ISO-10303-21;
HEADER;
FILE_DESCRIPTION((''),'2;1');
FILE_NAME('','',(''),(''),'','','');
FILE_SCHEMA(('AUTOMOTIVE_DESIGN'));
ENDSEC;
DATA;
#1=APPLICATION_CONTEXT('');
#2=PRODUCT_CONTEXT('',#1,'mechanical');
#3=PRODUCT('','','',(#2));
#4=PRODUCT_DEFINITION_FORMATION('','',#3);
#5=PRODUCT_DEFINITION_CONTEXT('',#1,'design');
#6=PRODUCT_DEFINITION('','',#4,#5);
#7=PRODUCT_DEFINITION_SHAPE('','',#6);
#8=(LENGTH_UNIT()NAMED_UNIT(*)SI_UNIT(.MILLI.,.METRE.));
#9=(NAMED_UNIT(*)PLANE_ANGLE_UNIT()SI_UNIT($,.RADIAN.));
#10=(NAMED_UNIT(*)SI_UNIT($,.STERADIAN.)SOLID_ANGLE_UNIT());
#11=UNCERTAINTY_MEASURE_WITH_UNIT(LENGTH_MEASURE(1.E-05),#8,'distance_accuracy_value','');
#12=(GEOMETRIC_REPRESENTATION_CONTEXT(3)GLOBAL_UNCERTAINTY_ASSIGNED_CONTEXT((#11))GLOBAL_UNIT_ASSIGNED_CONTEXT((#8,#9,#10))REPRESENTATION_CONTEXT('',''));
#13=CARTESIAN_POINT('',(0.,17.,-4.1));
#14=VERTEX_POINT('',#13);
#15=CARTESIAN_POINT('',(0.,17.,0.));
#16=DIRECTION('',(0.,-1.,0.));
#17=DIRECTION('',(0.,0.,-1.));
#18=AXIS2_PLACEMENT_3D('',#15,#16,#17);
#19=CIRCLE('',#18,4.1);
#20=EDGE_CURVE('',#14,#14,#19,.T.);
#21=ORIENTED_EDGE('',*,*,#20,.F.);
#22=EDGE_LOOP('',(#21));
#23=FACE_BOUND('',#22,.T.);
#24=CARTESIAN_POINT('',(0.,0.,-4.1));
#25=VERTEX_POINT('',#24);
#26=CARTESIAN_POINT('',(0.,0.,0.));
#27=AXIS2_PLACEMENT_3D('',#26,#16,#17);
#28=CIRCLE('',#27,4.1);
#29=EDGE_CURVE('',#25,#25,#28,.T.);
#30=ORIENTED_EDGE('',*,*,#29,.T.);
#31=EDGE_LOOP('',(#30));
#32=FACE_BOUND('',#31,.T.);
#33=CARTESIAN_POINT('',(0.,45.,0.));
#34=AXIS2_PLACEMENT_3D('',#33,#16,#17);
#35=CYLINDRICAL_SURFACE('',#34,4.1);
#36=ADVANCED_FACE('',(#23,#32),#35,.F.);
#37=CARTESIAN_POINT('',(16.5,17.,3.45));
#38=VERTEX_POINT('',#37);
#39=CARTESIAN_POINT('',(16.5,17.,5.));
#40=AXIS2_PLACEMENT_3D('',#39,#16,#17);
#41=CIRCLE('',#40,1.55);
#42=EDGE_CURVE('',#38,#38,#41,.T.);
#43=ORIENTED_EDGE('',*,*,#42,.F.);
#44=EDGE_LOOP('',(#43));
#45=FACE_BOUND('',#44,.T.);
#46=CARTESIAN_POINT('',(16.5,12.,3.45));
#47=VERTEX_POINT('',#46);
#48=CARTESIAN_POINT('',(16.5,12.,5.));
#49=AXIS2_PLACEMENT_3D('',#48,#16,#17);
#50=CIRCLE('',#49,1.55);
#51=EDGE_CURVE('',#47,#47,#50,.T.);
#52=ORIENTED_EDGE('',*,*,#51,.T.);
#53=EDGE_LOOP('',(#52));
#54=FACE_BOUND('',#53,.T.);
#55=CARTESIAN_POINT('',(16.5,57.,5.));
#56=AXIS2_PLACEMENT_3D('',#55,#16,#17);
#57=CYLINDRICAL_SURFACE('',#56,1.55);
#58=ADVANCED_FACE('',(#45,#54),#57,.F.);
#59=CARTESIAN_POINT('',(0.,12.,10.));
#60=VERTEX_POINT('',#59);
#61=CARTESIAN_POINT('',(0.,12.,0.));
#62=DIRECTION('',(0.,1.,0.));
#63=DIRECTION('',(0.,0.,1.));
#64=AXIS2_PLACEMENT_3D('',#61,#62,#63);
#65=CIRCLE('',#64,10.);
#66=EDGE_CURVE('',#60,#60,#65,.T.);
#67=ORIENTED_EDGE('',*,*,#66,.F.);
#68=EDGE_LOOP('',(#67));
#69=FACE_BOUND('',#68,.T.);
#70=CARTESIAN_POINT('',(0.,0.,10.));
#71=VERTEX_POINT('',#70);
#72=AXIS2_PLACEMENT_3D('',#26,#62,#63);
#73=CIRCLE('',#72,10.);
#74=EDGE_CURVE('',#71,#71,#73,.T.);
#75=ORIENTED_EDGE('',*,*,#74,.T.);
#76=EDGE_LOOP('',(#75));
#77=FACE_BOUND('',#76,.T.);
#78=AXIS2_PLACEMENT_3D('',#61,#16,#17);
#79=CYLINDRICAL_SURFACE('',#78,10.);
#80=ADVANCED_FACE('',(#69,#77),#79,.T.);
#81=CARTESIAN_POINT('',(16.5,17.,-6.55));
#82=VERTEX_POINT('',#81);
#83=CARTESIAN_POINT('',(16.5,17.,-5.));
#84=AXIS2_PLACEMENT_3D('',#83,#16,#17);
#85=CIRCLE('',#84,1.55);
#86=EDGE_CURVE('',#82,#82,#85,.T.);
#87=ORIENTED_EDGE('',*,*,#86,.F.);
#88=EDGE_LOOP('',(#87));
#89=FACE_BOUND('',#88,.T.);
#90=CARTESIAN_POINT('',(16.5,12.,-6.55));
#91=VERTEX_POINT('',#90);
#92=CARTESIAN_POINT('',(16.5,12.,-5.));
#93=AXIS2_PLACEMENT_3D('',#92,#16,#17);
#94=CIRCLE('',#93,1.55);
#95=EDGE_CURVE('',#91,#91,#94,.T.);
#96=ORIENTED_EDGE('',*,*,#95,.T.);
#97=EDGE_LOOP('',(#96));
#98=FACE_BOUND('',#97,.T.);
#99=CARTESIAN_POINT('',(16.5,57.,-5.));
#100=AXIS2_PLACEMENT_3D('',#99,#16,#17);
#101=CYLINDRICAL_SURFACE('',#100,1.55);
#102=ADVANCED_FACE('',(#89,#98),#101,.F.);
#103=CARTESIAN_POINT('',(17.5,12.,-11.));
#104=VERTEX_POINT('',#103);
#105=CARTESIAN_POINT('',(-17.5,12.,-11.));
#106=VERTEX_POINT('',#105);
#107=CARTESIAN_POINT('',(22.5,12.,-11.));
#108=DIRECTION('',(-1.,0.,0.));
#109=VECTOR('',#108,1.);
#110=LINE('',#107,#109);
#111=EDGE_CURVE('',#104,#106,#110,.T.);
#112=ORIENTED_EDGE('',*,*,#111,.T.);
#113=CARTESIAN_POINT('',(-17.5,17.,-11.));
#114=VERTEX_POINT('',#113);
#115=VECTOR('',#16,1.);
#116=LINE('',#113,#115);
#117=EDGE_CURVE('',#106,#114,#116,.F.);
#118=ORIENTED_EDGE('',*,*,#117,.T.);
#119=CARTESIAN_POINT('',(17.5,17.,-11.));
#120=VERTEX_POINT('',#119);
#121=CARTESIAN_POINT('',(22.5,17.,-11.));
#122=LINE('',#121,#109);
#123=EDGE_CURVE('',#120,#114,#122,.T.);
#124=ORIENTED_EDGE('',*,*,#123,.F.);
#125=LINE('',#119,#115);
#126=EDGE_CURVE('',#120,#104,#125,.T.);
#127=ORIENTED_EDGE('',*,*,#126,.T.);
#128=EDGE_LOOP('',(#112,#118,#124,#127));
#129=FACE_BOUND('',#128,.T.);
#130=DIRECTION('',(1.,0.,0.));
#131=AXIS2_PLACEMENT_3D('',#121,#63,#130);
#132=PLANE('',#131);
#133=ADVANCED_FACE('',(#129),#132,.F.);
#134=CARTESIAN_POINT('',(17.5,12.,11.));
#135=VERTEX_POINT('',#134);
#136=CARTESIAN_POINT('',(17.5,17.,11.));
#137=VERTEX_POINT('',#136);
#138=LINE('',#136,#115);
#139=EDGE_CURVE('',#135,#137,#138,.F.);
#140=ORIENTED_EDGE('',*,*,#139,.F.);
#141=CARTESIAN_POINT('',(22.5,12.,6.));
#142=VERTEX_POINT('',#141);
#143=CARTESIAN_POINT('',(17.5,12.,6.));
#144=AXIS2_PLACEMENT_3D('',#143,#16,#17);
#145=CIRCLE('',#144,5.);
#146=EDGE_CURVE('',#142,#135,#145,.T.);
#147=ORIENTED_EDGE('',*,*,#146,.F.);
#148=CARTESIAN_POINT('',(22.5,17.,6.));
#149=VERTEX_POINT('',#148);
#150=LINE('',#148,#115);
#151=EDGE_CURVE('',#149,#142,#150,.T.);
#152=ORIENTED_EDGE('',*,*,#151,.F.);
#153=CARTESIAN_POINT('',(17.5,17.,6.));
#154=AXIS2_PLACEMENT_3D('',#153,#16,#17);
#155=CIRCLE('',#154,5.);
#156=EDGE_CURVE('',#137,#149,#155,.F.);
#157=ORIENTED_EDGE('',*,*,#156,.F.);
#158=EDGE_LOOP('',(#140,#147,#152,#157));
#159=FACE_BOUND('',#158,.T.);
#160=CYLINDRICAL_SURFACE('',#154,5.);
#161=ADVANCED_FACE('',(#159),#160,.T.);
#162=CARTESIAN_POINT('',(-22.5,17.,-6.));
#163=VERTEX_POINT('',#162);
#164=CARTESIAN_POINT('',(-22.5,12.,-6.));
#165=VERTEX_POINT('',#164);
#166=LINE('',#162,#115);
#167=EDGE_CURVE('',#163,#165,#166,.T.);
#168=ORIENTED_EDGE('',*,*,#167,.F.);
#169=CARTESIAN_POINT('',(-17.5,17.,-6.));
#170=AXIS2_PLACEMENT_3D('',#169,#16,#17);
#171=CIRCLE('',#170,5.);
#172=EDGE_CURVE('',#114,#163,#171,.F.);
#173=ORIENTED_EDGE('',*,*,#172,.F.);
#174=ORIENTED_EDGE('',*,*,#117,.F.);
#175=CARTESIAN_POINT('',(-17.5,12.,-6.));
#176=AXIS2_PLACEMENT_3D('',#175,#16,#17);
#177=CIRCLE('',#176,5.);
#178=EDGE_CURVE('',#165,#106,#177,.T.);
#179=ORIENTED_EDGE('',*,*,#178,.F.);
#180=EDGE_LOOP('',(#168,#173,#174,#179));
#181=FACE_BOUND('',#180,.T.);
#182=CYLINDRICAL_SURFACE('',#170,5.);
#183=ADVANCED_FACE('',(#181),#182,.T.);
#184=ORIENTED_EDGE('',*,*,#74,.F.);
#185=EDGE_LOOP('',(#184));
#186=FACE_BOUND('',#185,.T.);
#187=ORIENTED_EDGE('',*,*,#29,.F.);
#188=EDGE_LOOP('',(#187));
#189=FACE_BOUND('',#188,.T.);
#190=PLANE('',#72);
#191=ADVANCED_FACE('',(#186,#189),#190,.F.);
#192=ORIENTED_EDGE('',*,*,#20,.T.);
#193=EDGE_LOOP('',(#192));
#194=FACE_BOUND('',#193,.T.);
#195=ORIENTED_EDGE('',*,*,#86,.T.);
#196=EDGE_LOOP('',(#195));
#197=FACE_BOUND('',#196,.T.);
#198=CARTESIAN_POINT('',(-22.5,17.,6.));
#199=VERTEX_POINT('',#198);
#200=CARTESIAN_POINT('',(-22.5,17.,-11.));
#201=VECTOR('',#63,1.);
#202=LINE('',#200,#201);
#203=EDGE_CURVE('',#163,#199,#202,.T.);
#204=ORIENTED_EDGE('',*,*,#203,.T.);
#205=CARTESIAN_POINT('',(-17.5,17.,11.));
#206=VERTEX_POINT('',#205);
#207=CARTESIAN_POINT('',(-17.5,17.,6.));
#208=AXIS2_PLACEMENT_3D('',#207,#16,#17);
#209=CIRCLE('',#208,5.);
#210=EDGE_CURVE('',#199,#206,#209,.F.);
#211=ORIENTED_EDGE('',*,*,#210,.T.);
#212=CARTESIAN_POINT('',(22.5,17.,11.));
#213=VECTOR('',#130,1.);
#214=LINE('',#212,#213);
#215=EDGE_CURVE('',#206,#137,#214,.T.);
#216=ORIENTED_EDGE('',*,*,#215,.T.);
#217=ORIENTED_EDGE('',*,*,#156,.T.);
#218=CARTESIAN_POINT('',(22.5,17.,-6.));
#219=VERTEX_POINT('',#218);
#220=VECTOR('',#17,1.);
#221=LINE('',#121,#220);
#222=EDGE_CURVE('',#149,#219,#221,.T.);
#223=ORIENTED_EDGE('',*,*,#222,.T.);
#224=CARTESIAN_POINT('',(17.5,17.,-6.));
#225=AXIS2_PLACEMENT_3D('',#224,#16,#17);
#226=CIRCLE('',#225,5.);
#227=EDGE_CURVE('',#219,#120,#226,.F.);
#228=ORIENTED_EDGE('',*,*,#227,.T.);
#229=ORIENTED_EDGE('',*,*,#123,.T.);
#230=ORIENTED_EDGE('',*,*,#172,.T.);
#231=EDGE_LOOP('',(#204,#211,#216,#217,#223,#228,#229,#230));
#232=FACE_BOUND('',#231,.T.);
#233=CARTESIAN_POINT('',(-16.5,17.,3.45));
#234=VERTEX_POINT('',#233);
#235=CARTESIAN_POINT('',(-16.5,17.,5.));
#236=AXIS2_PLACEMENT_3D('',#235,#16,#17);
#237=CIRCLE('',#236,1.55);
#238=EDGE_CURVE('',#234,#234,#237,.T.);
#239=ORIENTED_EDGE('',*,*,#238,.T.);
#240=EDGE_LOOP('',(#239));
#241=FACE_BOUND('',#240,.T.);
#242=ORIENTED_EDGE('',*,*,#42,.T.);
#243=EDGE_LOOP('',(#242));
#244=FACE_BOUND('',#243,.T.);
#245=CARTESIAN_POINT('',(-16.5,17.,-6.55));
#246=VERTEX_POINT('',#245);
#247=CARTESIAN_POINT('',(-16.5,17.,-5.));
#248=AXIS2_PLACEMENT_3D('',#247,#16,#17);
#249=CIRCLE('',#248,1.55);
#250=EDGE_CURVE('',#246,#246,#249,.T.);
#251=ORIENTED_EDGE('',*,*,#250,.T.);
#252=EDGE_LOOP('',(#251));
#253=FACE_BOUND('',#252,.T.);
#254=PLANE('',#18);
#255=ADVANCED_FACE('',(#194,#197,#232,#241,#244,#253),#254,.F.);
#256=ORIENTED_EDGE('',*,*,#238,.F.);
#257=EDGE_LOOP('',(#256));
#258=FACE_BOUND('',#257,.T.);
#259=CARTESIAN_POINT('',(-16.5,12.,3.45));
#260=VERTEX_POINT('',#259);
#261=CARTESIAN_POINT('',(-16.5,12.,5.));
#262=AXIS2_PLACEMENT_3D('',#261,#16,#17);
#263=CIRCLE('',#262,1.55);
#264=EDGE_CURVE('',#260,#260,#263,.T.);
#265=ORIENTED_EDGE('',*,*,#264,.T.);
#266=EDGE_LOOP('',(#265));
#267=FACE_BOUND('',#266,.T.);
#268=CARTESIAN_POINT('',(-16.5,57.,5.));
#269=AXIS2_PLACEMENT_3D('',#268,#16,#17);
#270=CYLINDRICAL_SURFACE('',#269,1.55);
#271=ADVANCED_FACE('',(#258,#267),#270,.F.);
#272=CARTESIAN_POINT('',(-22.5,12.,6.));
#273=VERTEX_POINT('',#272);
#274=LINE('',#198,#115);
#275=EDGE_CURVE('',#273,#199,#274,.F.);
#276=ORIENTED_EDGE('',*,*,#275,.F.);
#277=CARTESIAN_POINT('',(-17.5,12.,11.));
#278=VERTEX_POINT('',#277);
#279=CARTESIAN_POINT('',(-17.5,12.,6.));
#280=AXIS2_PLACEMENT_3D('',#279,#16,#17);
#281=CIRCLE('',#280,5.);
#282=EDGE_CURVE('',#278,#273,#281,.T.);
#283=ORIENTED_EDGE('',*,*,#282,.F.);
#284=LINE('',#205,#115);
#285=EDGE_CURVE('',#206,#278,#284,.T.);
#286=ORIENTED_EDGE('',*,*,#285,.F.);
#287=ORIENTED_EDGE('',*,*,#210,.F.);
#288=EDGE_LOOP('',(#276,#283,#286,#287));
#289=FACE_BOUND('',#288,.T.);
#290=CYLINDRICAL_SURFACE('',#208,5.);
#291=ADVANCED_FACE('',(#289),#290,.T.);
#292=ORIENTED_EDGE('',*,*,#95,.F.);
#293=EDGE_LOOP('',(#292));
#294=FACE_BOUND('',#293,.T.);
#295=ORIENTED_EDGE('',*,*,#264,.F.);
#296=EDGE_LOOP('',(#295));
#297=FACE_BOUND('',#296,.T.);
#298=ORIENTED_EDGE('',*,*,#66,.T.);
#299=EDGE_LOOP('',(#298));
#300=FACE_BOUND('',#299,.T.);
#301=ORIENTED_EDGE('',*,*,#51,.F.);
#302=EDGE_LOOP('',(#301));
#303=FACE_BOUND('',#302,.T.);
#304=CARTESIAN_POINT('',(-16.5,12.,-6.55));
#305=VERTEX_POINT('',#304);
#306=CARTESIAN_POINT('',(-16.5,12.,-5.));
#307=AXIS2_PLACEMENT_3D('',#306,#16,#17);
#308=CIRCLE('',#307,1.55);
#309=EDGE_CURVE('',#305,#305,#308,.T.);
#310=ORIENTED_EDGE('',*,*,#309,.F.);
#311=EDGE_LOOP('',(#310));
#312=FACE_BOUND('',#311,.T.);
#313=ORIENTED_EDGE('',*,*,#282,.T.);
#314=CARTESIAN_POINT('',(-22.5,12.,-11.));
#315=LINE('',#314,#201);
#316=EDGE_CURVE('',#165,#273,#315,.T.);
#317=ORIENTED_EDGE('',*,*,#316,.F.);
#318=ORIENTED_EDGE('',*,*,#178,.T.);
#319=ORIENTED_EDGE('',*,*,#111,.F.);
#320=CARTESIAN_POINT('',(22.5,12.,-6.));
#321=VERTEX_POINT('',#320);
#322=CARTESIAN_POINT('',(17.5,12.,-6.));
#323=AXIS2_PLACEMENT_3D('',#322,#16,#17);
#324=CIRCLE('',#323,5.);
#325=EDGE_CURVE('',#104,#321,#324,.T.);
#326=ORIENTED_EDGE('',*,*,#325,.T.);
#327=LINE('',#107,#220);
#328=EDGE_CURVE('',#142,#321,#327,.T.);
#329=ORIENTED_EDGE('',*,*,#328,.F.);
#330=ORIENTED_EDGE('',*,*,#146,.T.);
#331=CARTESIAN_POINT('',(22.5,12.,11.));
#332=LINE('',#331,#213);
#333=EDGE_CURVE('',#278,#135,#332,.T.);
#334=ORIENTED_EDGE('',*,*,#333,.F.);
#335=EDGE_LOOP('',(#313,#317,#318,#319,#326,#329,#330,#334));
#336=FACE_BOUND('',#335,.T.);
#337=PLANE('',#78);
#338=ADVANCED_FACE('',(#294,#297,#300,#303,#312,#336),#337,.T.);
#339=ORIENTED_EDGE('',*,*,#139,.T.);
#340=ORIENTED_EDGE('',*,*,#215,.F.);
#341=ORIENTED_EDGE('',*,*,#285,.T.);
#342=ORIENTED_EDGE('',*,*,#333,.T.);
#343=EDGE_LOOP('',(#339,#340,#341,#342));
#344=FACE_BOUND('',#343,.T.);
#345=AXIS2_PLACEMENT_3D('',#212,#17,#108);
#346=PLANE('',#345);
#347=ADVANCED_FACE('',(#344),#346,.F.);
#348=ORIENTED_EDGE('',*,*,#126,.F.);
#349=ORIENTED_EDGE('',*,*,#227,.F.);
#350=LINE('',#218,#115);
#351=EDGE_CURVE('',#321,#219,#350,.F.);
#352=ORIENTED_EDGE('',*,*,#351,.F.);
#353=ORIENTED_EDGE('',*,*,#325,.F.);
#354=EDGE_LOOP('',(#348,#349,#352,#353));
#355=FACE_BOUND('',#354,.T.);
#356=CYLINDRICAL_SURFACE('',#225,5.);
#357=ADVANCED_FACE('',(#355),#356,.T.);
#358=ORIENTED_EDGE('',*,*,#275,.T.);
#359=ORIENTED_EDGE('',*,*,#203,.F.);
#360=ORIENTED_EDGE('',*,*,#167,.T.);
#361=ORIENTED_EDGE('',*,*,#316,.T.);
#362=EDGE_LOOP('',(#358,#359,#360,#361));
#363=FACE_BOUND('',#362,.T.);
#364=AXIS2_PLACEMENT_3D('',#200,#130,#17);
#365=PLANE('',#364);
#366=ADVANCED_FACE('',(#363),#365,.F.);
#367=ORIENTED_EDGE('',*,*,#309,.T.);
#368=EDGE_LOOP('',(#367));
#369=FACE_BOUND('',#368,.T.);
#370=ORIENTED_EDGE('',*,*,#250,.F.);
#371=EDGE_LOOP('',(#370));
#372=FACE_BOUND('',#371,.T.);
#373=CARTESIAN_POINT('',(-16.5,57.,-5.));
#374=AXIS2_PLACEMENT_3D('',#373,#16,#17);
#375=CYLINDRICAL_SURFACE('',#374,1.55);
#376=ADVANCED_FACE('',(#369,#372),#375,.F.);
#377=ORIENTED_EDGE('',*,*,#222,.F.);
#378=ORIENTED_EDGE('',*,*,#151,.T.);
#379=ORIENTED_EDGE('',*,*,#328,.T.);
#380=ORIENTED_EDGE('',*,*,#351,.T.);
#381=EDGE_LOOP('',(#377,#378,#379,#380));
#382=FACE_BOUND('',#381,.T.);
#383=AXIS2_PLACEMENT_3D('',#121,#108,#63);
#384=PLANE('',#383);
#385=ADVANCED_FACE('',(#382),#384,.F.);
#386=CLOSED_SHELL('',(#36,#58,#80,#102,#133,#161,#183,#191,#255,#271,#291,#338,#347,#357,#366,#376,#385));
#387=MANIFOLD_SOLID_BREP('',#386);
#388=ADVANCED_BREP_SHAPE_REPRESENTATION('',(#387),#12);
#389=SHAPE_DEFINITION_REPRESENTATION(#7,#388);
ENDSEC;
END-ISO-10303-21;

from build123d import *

# Parameters (mm, degrees)
CROQUIS1_R              = 10
CROQUIS1_R_2            = 3.5
EXTRUIR1_DEPTH          = 12
CROQUIS2_W              = 45
CROQUIS2_H              = 22
SALIENTE_EXTRUIR1_DEPTH = 5
REDONDEO1_R             = 5
REDONDEO2_R             = 5
REDONDEO3_R             = 5
REDONDEO4_R             = 5
CROQUIS3_R              = 4.1
CORTAR_EXTRUIR1_DEPTH   = 45
CROQUIS4_R              = 1.55
CORTAR_EXTRUIR2_DEPTH   = 45


with BuildPart() as part:
    # Croquis1 → Extruir1 (new body)
    with BuildSketch(Plane(origin=(0, 0, 0), x_dir=(1, 0, 0), z_dir=(0, 1, 0))):
        Circle(CROQUIS1_R)
        Circle(CROQUIS1_R_2, mode=Mode.SUBTRACT)
    extrude(amount=EXTRUIR1_DEPTH)

    # Croquis2 → Saliente-Extruir1 (add)
    with BuildSketch(Plane(origin=(0, 12, 0), x_dir=(1, 0, 0), z_dir=(0, 1, 0))):
        Rectangle(CROQUIS2_W, CROQUIS2_H)
    extrude(amount=SALIENTE_EXTRUIR1_DEPTH)

    # Redondeo1
    redondeo1_edges = [part.edges().sort_by_distance(p)[0] for p in [
        (22.5, 14.5, -11),
    ]]
    fillet(redondeo1_edges, radius=REDONDEO1_R)

    # Redondeo2
    redondeo2_edges = [part.edges().sort_by_distance(p)[0] for p in [
        (22.5, 14.5, 11),
    ]]
    fillet(redondeo2_edges, radius=REDONDEO2_R)

    # Redondeo3
    redondeo3_edges = [part.edges().sort_by_distance(p)[0] for p in [
        (-22.5, 14.5, 11),
    ]]
    fillet(redondeo3_edges, radius=REDONDEO3_R)

    # Redondeo4
    redondeo4_edges = [part.edges().sort_by_distance(p)[0] for p in [
        (-22.5, 14.5, -11),
    ]]
    fillet(redondeo4_edges, radius=REDONDEO4_R)

    # Croquis3 → Cortar-Extruir1 (cut)
    with BuildSketch(Plane.XZ):
        Circle(CROQUIS3_R)
    extrude(amount=-CORTAR_EXTRUIR1_DEPTH, mode=Mode.SUBTRACT)

    # Croquis4 → Cortar-Extruir2 (cut)
    with BuildSketch(Plane.XZ.offset(-12)):
        with Locations((-16.5, 5)):
            Circle(CROQUIS4_R)
        with Locations((-16.5, -5)):
            Circle(CROQUIS4_R)
        with Locations((16.5, 5)):
            Circle(CROQUIS4_R)
        with Locations((16.5, -5)):
            Circle(CROQUIS4_R)
    extrude(amount=-CORTAR_EXTRUIR2_DEPTH, mode=Mode.SUBTRACT)


solid = part.part
